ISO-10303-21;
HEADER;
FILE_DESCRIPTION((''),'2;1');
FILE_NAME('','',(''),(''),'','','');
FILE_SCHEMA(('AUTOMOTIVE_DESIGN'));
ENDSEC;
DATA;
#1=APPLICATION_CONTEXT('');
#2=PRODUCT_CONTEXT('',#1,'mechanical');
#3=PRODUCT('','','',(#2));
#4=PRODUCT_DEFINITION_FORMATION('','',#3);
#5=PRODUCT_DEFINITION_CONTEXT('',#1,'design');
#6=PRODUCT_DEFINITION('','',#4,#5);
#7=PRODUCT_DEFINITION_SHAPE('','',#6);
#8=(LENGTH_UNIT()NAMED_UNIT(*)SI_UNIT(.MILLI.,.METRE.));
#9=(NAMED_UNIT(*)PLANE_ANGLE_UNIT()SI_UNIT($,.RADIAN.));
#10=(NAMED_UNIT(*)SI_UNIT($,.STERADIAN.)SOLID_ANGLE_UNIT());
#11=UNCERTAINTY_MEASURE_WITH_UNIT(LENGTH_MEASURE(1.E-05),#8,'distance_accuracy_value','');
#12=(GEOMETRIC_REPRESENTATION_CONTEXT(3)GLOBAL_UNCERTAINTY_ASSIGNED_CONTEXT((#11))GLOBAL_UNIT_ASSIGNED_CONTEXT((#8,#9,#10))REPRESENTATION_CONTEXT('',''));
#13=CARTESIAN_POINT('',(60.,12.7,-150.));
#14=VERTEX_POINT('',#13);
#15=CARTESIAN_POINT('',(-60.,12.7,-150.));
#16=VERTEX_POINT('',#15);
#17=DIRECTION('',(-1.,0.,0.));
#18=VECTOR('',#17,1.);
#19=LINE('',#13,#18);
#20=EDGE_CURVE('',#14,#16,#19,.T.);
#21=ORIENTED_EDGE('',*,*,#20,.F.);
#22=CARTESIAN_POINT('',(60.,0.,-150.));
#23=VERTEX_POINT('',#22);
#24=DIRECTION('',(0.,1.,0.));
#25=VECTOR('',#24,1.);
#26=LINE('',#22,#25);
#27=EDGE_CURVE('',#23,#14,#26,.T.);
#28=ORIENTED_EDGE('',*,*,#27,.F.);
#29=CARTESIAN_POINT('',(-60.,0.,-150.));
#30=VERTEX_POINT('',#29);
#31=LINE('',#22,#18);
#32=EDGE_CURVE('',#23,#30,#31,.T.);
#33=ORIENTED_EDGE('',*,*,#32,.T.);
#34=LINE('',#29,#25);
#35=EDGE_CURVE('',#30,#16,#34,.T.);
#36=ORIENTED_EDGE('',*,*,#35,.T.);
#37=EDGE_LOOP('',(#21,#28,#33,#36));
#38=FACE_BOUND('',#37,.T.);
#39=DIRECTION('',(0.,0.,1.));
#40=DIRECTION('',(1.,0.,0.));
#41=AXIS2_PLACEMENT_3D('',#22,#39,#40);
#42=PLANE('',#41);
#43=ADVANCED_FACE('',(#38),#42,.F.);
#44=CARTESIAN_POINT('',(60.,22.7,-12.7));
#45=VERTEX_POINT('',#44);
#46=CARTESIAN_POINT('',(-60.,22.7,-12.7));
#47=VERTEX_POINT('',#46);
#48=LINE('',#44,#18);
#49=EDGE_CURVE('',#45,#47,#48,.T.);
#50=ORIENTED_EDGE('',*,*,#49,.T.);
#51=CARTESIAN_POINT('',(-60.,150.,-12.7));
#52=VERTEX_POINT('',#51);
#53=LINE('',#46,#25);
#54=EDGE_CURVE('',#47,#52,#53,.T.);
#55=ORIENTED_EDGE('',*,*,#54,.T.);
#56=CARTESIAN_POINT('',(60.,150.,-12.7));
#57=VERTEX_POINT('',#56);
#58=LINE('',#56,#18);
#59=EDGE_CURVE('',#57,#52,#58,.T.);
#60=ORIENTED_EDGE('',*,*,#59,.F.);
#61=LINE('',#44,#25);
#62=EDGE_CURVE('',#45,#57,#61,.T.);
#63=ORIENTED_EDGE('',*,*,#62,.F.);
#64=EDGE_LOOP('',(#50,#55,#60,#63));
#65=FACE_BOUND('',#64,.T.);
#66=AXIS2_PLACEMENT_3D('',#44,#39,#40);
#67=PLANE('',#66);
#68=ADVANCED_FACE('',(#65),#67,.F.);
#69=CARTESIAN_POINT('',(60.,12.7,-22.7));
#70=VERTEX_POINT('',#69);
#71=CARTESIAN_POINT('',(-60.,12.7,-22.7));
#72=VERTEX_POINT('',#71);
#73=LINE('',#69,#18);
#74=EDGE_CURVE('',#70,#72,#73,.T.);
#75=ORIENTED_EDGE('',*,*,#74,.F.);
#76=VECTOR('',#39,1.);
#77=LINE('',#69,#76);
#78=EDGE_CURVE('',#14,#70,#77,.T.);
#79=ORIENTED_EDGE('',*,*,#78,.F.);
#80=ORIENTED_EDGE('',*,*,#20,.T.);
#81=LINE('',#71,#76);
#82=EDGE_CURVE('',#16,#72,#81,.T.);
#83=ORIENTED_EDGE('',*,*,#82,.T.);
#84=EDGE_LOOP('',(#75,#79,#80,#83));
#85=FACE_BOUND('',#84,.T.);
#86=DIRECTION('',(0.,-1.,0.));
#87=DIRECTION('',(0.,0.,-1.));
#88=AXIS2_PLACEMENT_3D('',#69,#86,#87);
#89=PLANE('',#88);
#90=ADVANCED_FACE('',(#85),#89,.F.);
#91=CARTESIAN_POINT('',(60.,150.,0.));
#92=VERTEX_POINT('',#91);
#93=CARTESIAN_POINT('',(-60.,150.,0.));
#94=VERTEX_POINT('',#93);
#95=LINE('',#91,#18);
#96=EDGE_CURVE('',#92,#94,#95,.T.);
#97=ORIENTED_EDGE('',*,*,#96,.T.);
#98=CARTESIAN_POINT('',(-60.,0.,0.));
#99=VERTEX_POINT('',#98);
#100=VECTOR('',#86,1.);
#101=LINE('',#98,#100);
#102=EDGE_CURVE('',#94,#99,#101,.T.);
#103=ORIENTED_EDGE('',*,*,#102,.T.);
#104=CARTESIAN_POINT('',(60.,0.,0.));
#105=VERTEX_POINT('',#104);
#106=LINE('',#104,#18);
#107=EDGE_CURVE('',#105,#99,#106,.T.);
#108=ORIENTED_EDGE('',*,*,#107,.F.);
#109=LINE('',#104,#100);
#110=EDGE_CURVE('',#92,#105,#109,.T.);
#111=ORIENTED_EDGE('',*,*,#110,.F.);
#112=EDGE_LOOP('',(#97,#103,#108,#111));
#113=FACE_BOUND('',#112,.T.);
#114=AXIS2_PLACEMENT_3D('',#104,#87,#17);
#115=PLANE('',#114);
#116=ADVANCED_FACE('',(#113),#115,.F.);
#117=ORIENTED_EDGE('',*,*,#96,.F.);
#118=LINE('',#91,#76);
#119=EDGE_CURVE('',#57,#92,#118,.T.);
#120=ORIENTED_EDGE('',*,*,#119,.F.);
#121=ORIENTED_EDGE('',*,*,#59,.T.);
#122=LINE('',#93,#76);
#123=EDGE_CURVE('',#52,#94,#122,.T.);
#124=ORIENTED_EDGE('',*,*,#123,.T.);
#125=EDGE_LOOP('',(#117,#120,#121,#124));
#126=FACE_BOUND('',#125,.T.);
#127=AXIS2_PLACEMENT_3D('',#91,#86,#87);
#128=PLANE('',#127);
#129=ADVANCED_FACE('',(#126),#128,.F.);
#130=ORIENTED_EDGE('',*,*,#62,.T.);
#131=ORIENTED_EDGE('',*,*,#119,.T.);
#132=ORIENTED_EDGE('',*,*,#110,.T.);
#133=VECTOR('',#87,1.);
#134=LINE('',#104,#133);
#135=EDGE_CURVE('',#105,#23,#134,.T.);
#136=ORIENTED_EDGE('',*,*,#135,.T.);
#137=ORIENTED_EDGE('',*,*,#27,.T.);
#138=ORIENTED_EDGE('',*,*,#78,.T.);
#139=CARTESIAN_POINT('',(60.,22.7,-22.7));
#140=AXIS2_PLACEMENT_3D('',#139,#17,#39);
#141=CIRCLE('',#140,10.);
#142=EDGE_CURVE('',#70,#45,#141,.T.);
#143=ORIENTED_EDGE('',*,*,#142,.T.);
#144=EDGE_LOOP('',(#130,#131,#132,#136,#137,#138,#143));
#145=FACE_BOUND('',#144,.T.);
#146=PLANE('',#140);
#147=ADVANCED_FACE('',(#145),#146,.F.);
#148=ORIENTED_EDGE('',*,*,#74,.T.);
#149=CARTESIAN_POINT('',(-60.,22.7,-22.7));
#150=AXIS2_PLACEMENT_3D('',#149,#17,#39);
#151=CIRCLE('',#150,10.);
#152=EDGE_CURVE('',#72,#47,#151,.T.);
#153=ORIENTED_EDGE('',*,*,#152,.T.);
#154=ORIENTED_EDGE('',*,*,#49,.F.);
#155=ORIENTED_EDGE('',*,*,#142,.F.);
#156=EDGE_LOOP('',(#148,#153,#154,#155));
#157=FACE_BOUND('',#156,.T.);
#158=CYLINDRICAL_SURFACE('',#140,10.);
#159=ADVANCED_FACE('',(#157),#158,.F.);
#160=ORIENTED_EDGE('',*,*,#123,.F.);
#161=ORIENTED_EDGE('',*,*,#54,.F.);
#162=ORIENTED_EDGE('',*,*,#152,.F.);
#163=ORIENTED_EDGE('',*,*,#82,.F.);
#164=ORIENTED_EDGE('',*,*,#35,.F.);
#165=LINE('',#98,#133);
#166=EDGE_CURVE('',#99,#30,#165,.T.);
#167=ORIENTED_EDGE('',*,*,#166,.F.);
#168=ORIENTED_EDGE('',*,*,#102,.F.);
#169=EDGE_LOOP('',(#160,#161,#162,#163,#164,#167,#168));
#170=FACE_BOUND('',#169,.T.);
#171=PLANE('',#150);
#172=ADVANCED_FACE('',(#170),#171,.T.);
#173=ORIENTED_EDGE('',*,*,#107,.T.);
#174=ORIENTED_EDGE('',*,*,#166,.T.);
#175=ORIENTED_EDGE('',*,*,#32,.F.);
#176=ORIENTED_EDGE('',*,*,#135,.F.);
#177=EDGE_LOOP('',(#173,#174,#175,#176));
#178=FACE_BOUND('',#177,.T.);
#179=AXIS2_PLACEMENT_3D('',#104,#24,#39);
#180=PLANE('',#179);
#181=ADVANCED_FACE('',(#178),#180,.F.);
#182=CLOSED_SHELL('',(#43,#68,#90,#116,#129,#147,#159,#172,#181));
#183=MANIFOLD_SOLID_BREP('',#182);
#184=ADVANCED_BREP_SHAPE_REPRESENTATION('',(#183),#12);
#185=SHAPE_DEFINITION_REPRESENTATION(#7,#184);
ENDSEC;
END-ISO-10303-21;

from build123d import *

# Parameters (mm, degrees)
SALIENTE_EXTRUIR1_DEPTH = 60


with BuildPart() as part:
    # Croquis1 → Saliente-Extruir1 (new, symmetric)
    with BuildSketch(Plane(origin=(0, 0, 0), x_dir=(0, 0, -1), z_dir=(1, 0, 0))):
        with BuildLine():
            Line((0, 0), (0, 150))
            Line((0, 150), (12.7, 150))
            Line((12.7, 150), (12.7, 22.7))
            ThreePointArc((12.7, 22.7), (15.628932188, 15.628932188), (22.7, 12.7))
            Line((22.7, 12.7), (150, 12.7))
            Line((150, 12.7), (150, 0))
            Line((150, 0), (0, 0))
        make_face()
    extrude(amount=SALIENTE_EXTRUIR1_DEPTH, both=True)


solid = part.part
